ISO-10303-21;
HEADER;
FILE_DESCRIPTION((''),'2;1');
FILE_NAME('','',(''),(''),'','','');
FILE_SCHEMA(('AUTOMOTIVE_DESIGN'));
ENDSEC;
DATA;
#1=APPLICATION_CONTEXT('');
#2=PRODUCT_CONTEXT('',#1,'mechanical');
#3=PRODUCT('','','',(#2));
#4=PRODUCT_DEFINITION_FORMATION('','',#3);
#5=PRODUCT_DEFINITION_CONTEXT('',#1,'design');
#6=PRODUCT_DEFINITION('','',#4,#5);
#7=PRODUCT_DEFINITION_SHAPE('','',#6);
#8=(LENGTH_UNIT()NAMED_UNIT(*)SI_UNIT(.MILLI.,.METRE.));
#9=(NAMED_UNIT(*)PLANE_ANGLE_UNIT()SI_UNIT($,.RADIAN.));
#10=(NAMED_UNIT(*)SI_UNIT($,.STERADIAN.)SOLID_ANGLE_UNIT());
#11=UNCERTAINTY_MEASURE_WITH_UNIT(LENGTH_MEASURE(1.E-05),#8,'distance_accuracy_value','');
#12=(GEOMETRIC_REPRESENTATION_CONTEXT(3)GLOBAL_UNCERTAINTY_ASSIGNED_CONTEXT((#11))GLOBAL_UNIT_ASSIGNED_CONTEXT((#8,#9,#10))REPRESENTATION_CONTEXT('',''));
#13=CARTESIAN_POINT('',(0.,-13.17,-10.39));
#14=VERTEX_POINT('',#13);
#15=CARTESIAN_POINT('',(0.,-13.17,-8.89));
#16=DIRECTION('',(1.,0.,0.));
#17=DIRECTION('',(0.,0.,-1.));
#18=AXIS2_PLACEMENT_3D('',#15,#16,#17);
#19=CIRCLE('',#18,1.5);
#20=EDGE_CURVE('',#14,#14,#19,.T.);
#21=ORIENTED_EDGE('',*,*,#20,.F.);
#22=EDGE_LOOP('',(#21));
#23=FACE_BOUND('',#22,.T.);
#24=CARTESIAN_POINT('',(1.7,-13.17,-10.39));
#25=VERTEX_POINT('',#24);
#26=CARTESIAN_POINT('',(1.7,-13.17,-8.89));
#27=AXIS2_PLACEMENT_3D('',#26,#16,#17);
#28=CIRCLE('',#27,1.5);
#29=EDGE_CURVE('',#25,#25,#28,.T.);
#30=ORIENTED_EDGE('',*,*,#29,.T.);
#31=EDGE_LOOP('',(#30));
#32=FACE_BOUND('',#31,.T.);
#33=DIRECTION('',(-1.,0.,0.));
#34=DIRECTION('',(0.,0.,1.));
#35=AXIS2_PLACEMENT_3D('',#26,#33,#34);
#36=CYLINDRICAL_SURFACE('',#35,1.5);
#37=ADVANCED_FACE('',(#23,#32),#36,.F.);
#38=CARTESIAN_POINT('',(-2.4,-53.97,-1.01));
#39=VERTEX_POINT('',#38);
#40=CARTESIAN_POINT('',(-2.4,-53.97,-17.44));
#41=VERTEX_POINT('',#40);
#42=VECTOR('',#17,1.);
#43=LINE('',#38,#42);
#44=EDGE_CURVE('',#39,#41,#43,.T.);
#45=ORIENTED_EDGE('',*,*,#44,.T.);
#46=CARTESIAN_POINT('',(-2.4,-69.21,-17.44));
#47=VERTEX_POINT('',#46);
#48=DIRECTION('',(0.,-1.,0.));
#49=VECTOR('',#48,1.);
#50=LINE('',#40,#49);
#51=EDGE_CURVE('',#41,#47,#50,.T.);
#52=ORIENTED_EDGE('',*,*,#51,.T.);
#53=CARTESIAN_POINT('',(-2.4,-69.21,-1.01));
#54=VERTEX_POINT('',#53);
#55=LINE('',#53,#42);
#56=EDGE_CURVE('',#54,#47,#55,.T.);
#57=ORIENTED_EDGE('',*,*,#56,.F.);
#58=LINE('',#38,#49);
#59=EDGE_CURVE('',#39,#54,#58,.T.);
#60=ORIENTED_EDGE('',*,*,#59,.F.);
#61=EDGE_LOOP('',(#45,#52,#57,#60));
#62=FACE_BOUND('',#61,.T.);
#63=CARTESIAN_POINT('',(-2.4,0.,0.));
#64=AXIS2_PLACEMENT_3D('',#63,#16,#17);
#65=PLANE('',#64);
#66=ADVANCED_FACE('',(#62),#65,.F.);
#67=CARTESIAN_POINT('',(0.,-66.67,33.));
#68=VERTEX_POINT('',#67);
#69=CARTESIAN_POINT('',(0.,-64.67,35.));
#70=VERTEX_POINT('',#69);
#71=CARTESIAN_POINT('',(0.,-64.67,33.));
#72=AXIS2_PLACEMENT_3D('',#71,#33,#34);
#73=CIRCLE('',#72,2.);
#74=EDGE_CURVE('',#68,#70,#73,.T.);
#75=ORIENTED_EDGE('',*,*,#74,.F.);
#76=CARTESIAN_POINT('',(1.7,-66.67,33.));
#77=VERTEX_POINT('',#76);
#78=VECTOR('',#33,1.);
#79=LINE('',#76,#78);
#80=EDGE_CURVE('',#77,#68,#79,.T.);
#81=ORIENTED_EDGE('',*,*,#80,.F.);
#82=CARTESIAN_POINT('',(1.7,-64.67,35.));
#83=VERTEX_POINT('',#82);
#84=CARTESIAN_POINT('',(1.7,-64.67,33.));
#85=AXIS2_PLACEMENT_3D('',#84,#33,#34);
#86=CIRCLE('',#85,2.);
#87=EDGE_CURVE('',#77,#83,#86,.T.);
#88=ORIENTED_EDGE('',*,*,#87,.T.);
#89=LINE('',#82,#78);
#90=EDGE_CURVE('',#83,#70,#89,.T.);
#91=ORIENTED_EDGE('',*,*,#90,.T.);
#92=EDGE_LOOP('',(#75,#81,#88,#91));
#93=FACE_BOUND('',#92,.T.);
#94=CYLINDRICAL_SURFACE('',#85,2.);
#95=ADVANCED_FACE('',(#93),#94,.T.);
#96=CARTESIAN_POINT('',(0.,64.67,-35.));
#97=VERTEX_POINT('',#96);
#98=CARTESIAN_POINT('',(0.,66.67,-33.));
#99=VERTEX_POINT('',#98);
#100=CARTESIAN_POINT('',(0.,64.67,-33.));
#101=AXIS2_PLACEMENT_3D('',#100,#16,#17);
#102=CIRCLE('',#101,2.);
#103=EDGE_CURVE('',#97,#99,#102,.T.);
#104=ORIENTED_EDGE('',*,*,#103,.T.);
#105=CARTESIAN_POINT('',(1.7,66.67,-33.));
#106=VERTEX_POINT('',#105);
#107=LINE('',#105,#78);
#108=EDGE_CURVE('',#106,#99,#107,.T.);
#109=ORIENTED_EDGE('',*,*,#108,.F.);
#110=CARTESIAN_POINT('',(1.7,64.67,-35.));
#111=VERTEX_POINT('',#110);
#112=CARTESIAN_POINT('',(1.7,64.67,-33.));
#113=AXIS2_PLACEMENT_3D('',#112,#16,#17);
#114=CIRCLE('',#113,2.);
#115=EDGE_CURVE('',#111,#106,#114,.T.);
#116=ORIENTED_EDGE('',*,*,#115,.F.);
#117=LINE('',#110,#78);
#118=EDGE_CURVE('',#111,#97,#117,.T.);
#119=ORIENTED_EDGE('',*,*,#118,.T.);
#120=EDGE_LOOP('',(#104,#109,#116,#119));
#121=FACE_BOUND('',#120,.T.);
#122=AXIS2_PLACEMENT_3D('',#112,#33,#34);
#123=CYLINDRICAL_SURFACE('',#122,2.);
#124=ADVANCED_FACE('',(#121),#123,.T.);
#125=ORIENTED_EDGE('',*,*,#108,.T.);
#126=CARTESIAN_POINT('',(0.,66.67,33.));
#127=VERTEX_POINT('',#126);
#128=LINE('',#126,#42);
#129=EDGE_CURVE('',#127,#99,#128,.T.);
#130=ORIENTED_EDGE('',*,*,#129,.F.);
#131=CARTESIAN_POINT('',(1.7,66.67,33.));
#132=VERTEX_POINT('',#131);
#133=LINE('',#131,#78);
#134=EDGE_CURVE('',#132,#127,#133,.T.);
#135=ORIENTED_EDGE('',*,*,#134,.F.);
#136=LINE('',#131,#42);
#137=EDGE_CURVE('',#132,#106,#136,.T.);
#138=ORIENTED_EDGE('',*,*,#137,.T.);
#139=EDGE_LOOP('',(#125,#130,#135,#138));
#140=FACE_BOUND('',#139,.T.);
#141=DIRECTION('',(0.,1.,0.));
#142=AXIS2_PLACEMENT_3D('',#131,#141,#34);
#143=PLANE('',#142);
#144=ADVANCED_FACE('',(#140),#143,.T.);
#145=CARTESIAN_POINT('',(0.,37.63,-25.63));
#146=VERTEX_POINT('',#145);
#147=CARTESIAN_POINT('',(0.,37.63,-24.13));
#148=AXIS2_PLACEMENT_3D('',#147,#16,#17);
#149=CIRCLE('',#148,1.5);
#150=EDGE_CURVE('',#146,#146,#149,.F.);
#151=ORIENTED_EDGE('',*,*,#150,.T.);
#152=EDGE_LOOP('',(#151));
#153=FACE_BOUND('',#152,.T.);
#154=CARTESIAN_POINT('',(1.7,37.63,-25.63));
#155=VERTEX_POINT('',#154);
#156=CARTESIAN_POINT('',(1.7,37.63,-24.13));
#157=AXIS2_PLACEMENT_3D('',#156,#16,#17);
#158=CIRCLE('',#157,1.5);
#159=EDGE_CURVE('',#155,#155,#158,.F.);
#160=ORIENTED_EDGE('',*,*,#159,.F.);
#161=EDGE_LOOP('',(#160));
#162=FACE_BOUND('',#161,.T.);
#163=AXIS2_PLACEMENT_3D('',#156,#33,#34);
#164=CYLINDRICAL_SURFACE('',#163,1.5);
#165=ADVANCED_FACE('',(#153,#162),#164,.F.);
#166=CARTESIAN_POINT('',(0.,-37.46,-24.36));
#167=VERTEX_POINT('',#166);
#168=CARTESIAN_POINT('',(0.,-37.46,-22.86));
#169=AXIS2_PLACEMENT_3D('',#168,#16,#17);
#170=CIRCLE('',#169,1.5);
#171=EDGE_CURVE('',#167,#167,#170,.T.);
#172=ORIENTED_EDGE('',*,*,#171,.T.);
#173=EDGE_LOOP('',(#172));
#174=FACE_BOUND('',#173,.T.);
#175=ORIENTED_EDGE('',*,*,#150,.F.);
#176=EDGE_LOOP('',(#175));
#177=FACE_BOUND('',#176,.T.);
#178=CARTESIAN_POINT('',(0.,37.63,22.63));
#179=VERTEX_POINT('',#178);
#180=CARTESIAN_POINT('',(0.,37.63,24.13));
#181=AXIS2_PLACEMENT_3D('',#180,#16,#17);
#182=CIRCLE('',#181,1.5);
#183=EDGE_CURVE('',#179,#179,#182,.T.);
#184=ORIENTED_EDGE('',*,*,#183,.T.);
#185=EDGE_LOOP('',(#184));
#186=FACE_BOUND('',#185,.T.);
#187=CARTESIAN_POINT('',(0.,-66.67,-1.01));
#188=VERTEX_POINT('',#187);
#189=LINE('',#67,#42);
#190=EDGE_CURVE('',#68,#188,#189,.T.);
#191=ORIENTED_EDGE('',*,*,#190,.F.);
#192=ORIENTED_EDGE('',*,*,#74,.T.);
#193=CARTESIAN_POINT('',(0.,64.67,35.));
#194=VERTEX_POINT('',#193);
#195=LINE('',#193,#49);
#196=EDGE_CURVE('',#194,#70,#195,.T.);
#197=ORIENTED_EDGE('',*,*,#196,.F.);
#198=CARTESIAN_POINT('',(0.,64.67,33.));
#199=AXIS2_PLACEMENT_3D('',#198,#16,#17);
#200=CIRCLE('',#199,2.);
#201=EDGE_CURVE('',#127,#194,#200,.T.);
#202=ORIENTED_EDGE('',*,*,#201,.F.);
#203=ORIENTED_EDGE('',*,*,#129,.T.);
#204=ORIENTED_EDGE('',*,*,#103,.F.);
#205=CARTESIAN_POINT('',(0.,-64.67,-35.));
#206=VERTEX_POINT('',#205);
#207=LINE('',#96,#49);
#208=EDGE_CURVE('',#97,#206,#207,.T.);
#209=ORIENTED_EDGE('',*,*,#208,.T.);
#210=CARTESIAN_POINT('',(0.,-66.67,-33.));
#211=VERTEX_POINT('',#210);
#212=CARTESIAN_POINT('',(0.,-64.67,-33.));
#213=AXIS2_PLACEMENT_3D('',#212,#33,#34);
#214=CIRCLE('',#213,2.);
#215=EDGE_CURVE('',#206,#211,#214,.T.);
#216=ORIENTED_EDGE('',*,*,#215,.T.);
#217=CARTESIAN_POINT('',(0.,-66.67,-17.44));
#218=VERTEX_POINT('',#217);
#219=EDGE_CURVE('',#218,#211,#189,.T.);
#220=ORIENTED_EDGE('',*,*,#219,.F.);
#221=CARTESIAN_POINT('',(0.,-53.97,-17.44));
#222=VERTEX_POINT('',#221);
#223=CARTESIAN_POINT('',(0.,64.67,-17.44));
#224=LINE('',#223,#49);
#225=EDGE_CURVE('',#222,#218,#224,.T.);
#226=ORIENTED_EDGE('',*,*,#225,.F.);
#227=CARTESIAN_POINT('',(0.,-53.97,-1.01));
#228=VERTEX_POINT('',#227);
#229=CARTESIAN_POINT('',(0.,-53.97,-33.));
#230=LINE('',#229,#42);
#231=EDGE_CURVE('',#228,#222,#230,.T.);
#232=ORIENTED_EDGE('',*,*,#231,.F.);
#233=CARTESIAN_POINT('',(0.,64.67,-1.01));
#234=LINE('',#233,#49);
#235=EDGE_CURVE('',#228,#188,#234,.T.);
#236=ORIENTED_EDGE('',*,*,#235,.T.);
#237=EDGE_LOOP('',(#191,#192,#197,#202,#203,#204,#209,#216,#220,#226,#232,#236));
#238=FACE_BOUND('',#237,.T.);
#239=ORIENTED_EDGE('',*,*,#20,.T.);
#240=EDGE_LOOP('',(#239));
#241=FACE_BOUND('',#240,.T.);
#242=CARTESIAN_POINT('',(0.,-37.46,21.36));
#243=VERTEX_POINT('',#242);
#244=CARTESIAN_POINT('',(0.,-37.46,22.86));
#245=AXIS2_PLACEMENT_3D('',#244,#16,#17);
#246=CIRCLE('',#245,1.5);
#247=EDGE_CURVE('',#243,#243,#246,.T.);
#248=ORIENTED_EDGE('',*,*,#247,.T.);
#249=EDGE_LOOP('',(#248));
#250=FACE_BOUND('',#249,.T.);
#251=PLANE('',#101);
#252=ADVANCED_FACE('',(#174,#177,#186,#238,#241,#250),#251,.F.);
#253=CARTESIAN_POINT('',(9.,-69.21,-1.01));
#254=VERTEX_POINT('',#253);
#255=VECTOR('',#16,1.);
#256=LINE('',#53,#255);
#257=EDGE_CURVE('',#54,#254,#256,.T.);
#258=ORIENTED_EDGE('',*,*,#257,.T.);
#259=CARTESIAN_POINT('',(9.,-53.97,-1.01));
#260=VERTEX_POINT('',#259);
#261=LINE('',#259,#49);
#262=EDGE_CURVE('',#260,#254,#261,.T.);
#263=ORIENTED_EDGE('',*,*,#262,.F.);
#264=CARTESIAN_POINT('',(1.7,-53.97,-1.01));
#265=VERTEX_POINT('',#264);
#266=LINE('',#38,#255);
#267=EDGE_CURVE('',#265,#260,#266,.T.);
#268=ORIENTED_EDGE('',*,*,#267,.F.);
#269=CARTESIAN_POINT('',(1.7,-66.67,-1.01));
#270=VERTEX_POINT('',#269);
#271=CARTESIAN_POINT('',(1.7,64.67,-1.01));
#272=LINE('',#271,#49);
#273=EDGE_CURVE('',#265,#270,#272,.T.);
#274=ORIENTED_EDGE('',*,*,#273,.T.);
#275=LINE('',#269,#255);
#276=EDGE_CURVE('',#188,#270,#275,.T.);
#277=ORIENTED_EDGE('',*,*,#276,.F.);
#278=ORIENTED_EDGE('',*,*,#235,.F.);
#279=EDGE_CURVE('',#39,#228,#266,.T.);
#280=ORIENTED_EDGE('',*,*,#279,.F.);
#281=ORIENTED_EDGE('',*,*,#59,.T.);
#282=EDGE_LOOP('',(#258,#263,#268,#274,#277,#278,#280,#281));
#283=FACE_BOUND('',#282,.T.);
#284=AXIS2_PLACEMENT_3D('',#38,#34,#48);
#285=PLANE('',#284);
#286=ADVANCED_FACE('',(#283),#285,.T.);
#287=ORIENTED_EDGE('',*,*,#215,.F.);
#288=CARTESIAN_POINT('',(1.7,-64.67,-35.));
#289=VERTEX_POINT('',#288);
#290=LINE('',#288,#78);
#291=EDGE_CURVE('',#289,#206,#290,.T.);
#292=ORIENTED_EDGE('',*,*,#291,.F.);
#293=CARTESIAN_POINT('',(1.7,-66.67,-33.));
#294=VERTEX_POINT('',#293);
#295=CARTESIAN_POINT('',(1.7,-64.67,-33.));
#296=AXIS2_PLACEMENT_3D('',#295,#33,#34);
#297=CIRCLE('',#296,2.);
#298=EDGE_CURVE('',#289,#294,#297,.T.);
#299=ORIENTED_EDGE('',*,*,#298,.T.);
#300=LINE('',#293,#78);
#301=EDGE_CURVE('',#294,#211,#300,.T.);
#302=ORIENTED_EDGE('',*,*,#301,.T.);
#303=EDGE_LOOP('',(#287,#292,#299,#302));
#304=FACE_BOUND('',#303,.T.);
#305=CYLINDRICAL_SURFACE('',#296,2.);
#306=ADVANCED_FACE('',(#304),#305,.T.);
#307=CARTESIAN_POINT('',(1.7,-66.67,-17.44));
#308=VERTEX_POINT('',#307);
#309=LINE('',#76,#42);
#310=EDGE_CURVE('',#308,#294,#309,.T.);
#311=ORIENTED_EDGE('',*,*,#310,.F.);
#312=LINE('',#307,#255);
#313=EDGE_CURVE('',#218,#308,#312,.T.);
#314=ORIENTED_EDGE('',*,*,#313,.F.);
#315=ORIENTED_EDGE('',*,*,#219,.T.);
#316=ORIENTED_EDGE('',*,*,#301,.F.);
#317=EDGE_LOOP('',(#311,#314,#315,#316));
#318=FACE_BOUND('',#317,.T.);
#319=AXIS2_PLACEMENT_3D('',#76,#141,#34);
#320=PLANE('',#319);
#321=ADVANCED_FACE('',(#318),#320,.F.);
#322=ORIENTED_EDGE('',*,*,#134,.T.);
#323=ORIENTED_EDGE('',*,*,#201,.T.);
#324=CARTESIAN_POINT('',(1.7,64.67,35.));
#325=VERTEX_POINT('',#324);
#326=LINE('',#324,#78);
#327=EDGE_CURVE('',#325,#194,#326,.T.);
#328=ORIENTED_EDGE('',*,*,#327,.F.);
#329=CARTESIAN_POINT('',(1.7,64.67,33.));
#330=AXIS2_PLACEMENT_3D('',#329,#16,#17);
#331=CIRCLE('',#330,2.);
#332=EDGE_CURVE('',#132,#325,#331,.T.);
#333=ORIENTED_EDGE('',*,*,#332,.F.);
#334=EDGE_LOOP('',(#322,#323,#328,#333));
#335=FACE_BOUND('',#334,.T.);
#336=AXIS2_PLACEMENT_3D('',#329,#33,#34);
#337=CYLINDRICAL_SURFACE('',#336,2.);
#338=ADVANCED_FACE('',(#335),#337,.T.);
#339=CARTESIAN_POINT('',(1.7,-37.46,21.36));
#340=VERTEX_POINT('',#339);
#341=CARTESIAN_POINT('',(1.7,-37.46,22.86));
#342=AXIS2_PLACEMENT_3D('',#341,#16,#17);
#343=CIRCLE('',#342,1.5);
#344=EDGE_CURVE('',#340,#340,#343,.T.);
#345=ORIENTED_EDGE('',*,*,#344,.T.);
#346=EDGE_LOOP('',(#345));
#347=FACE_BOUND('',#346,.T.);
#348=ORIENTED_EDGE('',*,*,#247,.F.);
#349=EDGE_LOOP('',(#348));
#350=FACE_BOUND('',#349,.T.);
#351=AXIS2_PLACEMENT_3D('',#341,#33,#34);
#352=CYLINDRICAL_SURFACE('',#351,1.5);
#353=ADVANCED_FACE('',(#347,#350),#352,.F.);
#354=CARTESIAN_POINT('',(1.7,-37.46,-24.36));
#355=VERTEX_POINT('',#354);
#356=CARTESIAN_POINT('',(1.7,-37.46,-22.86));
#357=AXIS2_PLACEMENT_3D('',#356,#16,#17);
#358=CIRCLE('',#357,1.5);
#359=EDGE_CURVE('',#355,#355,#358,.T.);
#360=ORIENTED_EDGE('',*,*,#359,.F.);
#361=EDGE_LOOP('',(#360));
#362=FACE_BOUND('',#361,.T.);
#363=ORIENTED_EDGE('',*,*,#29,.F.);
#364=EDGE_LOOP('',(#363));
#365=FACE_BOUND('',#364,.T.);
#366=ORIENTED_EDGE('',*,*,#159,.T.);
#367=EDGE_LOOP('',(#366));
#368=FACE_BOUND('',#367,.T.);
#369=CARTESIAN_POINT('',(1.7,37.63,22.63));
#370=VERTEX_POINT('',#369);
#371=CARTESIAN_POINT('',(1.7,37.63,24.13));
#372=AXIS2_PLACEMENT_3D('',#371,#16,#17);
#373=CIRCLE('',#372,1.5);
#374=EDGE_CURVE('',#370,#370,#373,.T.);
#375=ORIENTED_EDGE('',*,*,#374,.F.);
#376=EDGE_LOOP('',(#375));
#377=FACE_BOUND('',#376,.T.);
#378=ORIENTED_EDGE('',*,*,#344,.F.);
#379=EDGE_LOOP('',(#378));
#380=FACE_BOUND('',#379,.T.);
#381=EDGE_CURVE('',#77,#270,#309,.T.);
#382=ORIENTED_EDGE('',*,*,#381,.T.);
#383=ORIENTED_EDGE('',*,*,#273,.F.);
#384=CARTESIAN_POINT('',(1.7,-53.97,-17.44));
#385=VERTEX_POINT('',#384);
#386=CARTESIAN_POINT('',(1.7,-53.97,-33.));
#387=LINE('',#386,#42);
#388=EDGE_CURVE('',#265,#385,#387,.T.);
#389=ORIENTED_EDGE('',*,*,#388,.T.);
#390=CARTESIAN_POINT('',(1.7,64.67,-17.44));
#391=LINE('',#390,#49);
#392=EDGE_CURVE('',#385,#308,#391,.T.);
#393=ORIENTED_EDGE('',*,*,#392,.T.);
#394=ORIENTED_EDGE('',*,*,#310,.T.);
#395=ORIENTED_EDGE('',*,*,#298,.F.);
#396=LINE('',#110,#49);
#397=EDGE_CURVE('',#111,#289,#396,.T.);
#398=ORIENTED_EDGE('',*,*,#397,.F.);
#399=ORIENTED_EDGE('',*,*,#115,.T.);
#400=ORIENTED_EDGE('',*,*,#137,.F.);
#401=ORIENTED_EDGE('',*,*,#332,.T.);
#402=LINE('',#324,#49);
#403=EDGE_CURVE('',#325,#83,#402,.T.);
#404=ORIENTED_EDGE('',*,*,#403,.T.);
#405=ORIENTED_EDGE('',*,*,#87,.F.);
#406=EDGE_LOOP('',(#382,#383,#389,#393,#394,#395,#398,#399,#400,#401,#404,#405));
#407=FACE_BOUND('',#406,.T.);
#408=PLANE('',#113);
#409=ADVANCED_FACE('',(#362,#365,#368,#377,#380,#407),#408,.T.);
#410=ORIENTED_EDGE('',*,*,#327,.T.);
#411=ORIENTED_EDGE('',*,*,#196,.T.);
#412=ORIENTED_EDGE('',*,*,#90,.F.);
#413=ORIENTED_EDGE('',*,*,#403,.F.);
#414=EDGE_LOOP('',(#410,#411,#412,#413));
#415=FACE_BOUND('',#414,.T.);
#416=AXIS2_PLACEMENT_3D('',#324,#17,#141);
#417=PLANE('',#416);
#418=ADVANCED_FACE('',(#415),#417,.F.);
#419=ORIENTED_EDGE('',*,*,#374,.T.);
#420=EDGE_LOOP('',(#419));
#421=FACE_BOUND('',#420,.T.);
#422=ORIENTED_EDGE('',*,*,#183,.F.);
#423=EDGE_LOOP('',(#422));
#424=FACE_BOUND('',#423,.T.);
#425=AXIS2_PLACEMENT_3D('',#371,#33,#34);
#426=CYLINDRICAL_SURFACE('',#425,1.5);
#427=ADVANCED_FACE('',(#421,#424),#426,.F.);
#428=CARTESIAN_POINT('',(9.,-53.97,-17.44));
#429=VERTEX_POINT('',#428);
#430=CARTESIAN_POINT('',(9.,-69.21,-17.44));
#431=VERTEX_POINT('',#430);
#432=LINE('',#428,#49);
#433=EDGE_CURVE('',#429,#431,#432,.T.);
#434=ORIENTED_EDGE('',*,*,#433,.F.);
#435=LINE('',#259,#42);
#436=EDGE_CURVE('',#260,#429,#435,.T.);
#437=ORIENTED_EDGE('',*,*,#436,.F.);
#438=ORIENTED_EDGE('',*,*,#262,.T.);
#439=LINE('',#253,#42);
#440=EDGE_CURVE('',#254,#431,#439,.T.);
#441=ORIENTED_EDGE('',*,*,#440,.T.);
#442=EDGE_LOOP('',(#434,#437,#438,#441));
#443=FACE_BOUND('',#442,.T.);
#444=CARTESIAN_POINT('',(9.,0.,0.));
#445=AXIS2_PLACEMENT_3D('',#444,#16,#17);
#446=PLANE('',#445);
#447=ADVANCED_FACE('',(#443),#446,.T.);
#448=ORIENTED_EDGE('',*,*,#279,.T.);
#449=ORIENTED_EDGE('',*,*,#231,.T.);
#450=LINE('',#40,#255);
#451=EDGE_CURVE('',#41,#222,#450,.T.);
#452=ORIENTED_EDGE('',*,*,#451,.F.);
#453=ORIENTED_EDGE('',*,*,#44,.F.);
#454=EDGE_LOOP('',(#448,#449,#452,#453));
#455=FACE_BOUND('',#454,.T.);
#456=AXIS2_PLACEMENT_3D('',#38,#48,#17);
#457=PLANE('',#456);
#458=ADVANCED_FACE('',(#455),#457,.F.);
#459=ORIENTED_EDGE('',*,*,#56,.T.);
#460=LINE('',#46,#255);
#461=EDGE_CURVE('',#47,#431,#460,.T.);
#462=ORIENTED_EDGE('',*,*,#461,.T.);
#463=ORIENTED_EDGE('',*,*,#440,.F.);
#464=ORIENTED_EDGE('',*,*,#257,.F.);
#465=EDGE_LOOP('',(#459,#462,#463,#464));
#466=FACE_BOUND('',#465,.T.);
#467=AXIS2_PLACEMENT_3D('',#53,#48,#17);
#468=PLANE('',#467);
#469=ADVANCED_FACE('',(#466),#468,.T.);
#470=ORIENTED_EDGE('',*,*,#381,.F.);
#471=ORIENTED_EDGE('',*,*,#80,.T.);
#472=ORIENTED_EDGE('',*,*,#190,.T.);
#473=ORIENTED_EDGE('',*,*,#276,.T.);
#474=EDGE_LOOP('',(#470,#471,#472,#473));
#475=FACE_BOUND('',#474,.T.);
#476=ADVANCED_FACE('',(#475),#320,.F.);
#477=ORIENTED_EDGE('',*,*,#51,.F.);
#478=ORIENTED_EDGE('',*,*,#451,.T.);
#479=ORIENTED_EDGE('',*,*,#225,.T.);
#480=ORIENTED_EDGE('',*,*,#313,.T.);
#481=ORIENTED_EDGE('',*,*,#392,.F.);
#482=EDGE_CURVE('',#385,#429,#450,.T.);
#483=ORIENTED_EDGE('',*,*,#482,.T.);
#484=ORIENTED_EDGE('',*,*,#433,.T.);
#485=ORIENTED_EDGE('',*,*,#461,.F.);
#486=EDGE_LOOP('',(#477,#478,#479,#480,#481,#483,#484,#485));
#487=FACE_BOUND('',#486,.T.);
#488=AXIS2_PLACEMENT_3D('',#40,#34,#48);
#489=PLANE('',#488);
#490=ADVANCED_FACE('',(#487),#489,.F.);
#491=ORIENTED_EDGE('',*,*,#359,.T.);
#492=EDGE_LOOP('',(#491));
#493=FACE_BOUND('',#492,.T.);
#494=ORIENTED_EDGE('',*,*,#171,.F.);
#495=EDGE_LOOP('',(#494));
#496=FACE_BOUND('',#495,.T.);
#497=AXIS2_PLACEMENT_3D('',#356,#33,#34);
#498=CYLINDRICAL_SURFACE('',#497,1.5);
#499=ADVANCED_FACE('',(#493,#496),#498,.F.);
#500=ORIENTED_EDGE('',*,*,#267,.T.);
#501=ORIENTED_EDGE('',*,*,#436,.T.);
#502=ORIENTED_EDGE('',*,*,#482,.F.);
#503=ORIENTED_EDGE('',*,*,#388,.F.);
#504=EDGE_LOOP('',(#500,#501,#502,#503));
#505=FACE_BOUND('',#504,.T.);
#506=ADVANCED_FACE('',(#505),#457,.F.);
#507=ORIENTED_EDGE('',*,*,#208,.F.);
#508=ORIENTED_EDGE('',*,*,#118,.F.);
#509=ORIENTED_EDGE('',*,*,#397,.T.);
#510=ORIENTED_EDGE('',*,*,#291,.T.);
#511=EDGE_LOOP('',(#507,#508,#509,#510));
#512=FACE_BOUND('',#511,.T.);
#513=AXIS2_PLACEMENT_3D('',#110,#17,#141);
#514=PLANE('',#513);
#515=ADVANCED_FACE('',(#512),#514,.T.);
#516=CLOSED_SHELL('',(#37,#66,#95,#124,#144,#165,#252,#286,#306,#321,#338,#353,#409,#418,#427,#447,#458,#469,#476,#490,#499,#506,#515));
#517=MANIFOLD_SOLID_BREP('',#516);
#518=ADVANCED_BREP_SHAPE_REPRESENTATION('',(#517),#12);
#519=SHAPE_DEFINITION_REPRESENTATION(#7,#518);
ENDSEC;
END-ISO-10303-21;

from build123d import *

# Parameters (mm, degrees)
SKETCH1_R                = 1.5
BOSS_EXTRUDE2_DEPTH      = 1.7
BOSS_EXTRUDE3_DEPTH      = 7.3
BOSS_EXTRUDE3_DEPTH_BACK = 4.1
SKETCH2_W                = 16.43
SKETCH2_H                = 15.24


with BuildPart() as part:
    # Sketch1 → Boss-Extrude2 (new body)
    with BuildSketch(Plane(origin=(0, 0, 0), x_dir=(0, 0, -1), z_dir=(1, 0, 0))):
        with BuildLine():
            Line((-33, 66.67), (33, 66.67))
            ThreePointArc((33, 66.67), (34.414213562, 66.084213562), (35, 64.67))
            Line((35, 64.67), (35, -64.67))
            ThreePointArc((35, -64.67), (34.414213562, -66.084213562), (33, -66.67))
            Line((33, -66.67), (-33, -66.67))
            ThreePointArc((-33, -66.67), (-34.414213562, -66.084213562), (-35, -64.67))
            Line((-35, -64.67), (-35, 64.67))
            ThreePointArc((-35, 64.67), (-34.414213562, 66.084213562), (-33, 66.67))
        make_face()
        with Locations((-22.86, -37.46)):
            Circle(SKETCH1_R, mode=Mode.SUBTRACT)
        with Locations((22.86, -37.46)):
            Circle(SKETCH1_R, mode=Mode.SUBTRACT)
        with Locations((-24.13, 37.63)):
            Circle(SKETCH1_R, mode=Mode.SUBTRACT)
        with Locations((24.13, 37.63)):
            Circle(SKETCH1_R, mode=Mode.SUBTRACT)
        with Locations((8.89, -13.17)):
            Circle(SKETCH1_R, mode=Mode.SUBTRACT)
    extrude(amount=BOSS_EXTRUDE2_DEPTH)

    # Sketch2 → Boss-Extrude3 (add, two sides: drawn at the far end of the back side and taken through both)
    with BuildSketch(Plane(origin=(1.7, 0, 0), x_dir=(0, 0, -1), z_dir=(1, 0, 0)).offset(-BOSS_EXTRUDE3_DEPTH_BACK)):
        with Locations((9.225, -61.59)):
            Rectangle(SKETCH2_W, SKETCH2_H)
    extrude(amount=BOSS_EXTRUDE3_DEPTH + BOSS_EXTRUDE3_DEPTH_BACK)


solid = part.part
